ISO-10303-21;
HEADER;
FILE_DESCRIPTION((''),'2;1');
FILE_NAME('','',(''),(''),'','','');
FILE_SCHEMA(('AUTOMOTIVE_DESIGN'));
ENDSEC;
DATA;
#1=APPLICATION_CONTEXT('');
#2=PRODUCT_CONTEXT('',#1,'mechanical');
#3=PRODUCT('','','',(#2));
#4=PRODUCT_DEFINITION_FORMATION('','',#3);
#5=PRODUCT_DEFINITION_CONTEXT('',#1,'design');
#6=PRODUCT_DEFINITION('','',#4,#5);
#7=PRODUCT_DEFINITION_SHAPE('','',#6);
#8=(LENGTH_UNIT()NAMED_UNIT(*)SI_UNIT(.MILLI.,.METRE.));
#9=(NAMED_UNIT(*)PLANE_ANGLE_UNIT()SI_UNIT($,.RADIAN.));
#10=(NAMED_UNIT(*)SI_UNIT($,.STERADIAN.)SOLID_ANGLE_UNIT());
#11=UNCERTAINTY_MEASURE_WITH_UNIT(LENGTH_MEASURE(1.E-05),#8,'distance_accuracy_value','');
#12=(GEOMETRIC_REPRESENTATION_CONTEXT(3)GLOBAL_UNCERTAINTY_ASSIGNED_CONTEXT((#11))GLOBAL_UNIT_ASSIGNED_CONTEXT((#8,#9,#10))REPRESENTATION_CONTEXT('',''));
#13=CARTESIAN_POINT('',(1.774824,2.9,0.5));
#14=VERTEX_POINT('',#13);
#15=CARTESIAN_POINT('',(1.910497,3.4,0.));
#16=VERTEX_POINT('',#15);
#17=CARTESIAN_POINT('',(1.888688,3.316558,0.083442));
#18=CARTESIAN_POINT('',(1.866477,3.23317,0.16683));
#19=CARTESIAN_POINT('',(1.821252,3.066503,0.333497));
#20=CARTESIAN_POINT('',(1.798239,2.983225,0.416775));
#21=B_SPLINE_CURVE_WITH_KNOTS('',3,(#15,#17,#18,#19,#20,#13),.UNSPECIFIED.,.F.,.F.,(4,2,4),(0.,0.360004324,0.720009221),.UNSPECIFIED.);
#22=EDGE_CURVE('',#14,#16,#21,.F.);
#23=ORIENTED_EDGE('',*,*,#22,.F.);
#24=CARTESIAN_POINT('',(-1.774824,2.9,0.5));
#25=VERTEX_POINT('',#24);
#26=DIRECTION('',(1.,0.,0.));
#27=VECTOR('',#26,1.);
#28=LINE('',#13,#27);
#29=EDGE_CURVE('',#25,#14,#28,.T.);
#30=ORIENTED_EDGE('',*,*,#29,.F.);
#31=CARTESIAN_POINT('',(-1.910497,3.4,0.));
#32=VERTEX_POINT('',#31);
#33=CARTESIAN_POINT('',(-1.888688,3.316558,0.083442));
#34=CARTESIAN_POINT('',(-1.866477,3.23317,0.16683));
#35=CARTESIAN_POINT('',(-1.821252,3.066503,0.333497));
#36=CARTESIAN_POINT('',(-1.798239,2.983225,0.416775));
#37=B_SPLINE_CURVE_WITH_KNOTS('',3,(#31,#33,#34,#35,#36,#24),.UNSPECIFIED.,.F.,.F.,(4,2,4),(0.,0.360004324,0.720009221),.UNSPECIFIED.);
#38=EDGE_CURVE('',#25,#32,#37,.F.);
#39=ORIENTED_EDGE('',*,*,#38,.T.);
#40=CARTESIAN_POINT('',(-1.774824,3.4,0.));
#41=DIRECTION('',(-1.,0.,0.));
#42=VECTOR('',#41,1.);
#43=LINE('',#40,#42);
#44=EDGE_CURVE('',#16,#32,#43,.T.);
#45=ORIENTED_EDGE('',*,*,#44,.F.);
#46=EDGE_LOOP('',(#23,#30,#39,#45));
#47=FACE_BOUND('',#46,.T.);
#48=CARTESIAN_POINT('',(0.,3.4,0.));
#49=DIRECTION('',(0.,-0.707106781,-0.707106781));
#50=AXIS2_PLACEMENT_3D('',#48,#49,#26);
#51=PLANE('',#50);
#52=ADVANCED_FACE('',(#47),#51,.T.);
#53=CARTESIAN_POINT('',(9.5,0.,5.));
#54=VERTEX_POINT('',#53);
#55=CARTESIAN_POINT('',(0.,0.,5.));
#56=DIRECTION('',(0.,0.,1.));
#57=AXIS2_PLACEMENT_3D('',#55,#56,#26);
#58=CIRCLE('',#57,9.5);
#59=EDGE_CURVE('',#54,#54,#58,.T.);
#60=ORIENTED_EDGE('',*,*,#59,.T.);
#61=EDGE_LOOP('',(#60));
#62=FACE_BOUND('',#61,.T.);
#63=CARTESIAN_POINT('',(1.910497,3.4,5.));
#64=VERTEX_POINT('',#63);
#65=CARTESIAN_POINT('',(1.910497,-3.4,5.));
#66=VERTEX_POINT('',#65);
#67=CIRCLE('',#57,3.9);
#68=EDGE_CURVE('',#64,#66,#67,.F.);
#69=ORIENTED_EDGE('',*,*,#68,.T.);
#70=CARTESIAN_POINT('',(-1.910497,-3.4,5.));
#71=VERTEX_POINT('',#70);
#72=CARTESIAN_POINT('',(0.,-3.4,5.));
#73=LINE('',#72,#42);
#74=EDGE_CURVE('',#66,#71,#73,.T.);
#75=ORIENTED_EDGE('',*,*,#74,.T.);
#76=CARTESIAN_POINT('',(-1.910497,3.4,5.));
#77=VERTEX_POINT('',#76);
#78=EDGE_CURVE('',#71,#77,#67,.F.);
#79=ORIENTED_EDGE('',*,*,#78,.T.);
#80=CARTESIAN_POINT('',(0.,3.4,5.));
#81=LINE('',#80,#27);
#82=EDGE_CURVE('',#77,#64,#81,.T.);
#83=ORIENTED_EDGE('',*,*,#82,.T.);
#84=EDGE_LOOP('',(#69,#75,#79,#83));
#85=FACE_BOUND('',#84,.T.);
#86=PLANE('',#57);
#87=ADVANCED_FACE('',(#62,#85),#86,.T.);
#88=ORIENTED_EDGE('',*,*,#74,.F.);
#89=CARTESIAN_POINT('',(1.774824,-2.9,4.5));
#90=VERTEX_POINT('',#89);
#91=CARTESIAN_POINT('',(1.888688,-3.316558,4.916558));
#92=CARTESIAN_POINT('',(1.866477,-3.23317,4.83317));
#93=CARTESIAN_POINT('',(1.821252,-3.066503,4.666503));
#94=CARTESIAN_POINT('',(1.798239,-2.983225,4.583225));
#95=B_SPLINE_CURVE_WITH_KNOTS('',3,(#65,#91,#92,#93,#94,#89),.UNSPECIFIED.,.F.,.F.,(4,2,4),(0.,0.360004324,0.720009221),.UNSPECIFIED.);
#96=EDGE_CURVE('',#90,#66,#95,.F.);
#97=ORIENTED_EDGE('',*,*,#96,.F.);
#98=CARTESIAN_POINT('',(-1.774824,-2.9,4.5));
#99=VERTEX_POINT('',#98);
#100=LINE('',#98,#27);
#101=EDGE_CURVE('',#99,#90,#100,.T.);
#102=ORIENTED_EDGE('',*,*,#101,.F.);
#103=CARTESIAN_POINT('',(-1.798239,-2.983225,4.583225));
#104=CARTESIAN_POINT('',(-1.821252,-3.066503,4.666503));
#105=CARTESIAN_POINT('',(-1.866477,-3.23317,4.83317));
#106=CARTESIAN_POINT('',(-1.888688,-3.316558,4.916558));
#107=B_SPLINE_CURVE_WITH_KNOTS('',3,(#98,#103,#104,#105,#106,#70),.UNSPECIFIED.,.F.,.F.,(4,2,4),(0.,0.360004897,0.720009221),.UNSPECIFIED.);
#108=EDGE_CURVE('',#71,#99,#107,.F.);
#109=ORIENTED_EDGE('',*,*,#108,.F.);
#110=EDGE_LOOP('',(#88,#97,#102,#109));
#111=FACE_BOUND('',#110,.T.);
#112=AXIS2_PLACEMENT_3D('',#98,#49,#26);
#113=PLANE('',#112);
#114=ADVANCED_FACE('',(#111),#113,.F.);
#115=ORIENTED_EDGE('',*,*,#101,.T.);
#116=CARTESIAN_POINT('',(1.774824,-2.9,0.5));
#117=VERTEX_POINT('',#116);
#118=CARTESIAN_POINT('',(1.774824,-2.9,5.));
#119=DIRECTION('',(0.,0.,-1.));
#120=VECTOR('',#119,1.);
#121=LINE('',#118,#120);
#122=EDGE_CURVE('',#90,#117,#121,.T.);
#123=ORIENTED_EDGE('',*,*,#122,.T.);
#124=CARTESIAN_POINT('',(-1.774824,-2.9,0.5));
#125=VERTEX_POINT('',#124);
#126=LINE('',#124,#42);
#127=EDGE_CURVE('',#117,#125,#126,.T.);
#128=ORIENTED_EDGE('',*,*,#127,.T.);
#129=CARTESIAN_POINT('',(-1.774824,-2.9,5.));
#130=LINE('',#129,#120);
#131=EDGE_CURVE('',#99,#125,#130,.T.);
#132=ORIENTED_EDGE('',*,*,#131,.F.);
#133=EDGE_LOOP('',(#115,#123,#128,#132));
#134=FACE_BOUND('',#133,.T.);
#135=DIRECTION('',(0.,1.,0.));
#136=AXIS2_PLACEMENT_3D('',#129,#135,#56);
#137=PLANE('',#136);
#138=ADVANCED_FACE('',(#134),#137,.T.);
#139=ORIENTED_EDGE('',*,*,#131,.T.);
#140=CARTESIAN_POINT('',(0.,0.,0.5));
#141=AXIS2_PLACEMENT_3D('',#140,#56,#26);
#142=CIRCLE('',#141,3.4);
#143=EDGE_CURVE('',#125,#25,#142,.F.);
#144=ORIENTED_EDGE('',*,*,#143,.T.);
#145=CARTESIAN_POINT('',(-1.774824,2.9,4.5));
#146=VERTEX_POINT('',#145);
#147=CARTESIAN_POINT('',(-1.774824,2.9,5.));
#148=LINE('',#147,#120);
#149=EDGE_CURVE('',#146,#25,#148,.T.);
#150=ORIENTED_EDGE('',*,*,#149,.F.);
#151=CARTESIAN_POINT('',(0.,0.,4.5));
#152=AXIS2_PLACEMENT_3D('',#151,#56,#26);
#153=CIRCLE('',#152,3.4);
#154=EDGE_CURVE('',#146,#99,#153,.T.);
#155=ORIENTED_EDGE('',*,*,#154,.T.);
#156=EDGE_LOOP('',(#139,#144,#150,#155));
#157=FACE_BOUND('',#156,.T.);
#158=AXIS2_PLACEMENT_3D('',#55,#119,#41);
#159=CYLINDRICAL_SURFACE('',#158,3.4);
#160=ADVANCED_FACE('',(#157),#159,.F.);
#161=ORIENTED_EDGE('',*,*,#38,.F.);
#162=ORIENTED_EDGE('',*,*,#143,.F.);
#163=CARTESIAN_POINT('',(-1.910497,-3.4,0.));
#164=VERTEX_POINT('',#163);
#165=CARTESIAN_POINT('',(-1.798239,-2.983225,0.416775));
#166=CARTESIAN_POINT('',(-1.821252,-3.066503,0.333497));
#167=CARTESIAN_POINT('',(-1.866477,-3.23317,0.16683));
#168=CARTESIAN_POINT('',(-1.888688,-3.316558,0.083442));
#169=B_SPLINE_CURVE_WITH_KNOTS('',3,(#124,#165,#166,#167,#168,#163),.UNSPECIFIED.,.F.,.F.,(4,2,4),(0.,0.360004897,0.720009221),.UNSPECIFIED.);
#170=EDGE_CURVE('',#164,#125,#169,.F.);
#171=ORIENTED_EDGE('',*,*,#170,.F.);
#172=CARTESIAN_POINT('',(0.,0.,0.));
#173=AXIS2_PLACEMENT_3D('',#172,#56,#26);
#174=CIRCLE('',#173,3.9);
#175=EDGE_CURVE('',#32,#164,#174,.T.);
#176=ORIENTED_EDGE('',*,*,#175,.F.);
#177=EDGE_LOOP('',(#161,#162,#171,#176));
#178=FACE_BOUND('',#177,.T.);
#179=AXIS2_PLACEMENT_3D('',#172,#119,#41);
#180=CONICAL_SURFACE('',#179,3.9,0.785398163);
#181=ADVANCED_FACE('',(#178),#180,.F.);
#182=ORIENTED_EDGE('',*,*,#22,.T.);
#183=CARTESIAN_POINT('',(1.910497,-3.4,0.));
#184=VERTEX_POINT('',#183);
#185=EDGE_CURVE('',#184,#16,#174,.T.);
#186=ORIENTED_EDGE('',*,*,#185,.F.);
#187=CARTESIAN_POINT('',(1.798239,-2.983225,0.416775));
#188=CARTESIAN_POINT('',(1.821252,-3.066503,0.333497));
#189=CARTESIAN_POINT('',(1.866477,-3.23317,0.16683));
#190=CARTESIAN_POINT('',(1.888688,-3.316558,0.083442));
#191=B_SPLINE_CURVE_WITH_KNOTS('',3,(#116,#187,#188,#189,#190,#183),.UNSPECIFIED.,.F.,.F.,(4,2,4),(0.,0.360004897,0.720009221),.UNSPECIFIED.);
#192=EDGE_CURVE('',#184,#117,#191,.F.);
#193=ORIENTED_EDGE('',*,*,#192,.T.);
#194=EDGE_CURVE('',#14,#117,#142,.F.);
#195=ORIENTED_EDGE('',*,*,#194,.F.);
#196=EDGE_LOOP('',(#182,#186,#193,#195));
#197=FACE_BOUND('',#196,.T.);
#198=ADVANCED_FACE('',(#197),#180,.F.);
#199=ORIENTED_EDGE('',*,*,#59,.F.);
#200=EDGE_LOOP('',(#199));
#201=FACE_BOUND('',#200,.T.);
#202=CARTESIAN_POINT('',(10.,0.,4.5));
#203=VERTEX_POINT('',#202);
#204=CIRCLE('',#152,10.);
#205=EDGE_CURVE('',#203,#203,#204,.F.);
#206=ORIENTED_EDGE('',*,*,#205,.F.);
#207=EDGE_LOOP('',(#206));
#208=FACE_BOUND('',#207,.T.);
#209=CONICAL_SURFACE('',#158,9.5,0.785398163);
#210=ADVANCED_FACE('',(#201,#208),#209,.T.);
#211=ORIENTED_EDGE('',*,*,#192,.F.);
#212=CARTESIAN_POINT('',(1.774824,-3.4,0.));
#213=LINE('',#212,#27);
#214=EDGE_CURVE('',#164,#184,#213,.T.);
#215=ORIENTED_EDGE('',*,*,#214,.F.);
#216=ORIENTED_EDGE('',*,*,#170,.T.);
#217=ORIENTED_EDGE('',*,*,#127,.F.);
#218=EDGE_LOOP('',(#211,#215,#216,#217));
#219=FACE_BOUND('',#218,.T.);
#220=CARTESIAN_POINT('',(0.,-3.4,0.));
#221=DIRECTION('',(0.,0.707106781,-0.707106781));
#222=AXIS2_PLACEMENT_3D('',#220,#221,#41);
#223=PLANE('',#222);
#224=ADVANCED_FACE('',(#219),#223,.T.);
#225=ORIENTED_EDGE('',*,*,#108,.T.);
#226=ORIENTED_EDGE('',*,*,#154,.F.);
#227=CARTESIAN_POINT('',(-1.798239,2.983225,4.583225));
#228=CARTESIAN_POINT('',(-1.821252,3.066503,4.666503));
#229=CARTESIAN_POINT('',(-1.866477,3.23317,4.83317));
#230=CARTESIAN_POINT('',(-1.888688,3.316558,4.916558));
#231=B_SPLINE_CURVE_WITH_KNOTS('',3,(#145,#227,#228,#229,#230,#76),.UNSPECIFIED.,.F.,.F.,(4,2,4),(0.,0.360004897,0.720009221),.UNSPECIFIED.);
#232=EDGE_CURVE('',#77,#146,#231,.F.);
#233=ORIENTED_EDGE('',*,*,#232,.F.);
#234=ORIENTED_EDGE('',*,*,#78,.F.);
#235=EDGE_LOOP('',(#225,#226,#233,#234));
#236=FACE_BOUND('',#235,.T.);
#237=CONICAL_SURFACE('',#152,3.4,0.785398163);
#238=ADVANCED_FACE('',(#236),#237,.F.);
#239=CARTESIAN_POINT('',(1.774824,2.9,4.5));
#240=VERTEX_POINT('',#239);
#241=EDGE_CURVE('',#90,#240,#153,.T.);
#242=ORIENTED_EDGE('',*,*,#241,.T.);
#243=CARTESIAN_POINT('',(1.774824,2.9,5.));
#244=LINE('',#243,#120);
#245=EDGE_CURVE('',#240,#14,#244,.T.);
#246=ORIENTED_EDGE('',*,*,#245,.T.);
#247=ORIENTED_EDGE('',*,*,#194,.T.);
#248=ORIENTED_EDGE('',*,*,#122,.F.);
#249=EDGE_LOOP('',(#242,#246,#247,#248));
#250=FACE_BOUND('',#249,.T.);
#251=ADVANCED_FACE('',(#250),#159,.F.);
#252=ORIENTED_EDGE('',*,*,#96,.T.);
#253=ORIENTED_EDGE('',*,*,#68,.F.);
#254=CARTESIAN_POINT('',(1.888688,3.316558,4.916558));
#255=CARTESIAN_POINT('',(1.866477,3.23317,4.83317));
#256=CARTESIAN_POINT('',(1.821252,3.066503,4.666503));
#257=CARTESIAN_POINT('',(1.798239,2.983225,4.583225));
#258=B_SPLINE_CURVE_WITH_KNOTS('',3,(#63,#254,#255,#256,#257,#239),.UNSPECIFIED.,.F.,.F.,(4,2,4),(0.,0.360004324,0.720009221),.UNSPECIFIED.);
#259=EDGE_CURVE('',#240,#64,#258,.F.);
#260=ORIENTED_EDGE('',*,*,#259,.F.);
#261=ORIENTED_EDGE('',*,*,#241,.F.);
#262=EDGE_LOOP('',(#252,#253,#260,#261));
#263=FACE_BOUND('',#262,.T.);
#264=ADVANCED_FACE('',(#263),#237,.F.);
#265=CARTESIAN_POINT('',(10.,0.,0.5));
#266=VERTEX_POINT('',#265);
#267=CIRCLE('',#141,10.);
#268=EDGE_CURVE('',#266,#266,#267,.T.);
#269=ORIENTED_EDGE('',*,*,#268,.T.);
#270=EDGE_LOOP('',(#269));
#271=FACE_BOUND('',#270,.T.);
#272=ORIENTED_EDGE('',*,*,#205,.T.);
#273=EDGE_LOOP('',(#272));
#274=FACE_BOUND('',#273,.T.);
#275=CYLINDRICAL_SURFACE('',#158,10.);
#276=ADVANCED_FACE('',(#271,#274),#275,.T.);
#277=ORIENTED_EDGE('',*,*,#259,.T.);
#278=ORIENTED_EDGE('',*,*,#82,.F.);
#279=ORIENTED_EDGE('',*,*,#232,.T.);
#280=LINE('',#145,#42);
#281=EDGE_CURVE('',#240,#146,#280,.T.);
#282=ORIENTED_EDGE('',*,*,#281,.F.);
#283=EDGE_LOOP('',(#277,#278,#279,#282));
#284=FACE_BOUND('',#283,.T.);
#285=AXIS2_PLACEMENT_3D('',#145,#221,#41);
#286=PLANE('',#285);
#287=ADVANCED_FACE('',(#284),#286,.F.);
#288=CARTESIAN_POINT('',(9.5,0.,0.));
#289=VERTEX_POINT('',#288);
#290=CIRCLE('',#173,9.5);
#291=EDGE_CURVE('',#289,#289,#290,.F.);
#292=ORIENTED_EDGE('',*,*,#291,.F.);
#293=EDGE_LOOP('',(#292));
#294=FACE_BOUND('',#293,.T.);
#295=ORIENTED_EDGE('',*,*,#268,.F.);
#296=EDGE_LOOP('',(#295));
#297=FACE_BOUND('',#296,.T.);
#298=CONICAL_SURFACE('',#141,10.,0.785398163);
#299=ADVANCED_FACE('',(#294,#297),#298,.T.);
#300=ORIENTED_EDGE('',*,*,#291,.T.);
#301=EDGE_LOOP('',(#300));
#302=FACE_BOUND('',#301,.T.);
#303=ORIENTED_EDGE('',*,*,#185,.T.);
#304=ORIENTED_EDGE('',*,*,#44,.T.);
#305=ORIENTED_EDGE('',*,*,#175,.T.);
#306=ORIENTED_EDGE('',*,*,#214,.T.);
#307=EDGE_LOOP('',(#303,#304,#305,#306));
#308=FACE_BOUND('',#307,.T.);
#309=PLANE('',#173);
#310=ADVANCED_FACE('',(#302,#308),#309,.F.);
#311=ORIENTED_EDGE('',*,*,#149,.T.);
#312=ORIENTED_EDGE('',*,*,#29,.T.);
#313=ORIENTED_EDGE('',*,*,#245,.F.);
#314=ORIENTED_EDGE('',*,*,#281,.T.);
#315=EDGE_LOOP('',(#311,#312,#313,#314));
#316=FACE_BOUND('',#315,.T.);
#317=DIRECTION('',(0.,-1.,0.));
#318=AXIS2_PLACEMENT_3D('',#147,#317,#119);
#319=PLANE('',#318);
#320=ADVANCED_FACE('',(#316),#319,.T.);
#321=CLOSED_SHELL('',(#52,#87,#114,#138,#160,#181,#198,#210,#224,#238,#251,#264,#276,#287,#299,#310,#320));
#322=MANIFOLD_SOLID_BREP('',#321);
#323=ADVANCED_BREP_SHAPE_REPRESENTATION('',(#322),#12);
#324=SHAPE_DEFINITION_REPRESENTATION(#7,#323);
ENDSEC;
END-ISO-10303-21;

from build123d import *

# Parameters (mm, degrees)
SKETCH1_R           = 10
BOSS_EXTRUDE1_DEPTH = 5
CHAMFER1_SIZE       = 0.5


with BuildPart() as part:
    # Sketch1 → Boss-Extrude1 (new body)
    with BuildSketch(Plane.XY):
        Circle(SKETCH1_R)
        with BuildLine():
            Line((-1.774823935, 2.9), (1.774823935, 2.9))
            ThreePointArc((1.774823935, 2.9), (3.4, 0), (1.774823935, -2.9))
            Line((1.774823935, -2.9), (-1.774823935, -2.9))
            ThreePointArc((-1.774823935, -2.9), (-3.4, 0), (-1.774823935, 2.9))
        make_face(mode=Mode.SUBTRACT)
    extrude(amount=BOSS_EXTRUDE1_DEPTH)

    # Chamfer1
    chamfer1_edges = [part.edges().sort_by_distance(p)[0] for p in [
        (3.4, 0, 5),
        (0, 2.9, 5),
        (-10, 0, 0),
        (-10, 0, 5),
        (-3.4, 0, 0),
        (0, -2.9, 0),
        (3.4, 0, 0),
        (0, 2.9, 0),
        (-3.4, 0, 5),
        (0, -2.9, 5),
    ]]
    chamfer(chamfer1_edges, length=CHAMFER1_SIZE)


solid = part.part
